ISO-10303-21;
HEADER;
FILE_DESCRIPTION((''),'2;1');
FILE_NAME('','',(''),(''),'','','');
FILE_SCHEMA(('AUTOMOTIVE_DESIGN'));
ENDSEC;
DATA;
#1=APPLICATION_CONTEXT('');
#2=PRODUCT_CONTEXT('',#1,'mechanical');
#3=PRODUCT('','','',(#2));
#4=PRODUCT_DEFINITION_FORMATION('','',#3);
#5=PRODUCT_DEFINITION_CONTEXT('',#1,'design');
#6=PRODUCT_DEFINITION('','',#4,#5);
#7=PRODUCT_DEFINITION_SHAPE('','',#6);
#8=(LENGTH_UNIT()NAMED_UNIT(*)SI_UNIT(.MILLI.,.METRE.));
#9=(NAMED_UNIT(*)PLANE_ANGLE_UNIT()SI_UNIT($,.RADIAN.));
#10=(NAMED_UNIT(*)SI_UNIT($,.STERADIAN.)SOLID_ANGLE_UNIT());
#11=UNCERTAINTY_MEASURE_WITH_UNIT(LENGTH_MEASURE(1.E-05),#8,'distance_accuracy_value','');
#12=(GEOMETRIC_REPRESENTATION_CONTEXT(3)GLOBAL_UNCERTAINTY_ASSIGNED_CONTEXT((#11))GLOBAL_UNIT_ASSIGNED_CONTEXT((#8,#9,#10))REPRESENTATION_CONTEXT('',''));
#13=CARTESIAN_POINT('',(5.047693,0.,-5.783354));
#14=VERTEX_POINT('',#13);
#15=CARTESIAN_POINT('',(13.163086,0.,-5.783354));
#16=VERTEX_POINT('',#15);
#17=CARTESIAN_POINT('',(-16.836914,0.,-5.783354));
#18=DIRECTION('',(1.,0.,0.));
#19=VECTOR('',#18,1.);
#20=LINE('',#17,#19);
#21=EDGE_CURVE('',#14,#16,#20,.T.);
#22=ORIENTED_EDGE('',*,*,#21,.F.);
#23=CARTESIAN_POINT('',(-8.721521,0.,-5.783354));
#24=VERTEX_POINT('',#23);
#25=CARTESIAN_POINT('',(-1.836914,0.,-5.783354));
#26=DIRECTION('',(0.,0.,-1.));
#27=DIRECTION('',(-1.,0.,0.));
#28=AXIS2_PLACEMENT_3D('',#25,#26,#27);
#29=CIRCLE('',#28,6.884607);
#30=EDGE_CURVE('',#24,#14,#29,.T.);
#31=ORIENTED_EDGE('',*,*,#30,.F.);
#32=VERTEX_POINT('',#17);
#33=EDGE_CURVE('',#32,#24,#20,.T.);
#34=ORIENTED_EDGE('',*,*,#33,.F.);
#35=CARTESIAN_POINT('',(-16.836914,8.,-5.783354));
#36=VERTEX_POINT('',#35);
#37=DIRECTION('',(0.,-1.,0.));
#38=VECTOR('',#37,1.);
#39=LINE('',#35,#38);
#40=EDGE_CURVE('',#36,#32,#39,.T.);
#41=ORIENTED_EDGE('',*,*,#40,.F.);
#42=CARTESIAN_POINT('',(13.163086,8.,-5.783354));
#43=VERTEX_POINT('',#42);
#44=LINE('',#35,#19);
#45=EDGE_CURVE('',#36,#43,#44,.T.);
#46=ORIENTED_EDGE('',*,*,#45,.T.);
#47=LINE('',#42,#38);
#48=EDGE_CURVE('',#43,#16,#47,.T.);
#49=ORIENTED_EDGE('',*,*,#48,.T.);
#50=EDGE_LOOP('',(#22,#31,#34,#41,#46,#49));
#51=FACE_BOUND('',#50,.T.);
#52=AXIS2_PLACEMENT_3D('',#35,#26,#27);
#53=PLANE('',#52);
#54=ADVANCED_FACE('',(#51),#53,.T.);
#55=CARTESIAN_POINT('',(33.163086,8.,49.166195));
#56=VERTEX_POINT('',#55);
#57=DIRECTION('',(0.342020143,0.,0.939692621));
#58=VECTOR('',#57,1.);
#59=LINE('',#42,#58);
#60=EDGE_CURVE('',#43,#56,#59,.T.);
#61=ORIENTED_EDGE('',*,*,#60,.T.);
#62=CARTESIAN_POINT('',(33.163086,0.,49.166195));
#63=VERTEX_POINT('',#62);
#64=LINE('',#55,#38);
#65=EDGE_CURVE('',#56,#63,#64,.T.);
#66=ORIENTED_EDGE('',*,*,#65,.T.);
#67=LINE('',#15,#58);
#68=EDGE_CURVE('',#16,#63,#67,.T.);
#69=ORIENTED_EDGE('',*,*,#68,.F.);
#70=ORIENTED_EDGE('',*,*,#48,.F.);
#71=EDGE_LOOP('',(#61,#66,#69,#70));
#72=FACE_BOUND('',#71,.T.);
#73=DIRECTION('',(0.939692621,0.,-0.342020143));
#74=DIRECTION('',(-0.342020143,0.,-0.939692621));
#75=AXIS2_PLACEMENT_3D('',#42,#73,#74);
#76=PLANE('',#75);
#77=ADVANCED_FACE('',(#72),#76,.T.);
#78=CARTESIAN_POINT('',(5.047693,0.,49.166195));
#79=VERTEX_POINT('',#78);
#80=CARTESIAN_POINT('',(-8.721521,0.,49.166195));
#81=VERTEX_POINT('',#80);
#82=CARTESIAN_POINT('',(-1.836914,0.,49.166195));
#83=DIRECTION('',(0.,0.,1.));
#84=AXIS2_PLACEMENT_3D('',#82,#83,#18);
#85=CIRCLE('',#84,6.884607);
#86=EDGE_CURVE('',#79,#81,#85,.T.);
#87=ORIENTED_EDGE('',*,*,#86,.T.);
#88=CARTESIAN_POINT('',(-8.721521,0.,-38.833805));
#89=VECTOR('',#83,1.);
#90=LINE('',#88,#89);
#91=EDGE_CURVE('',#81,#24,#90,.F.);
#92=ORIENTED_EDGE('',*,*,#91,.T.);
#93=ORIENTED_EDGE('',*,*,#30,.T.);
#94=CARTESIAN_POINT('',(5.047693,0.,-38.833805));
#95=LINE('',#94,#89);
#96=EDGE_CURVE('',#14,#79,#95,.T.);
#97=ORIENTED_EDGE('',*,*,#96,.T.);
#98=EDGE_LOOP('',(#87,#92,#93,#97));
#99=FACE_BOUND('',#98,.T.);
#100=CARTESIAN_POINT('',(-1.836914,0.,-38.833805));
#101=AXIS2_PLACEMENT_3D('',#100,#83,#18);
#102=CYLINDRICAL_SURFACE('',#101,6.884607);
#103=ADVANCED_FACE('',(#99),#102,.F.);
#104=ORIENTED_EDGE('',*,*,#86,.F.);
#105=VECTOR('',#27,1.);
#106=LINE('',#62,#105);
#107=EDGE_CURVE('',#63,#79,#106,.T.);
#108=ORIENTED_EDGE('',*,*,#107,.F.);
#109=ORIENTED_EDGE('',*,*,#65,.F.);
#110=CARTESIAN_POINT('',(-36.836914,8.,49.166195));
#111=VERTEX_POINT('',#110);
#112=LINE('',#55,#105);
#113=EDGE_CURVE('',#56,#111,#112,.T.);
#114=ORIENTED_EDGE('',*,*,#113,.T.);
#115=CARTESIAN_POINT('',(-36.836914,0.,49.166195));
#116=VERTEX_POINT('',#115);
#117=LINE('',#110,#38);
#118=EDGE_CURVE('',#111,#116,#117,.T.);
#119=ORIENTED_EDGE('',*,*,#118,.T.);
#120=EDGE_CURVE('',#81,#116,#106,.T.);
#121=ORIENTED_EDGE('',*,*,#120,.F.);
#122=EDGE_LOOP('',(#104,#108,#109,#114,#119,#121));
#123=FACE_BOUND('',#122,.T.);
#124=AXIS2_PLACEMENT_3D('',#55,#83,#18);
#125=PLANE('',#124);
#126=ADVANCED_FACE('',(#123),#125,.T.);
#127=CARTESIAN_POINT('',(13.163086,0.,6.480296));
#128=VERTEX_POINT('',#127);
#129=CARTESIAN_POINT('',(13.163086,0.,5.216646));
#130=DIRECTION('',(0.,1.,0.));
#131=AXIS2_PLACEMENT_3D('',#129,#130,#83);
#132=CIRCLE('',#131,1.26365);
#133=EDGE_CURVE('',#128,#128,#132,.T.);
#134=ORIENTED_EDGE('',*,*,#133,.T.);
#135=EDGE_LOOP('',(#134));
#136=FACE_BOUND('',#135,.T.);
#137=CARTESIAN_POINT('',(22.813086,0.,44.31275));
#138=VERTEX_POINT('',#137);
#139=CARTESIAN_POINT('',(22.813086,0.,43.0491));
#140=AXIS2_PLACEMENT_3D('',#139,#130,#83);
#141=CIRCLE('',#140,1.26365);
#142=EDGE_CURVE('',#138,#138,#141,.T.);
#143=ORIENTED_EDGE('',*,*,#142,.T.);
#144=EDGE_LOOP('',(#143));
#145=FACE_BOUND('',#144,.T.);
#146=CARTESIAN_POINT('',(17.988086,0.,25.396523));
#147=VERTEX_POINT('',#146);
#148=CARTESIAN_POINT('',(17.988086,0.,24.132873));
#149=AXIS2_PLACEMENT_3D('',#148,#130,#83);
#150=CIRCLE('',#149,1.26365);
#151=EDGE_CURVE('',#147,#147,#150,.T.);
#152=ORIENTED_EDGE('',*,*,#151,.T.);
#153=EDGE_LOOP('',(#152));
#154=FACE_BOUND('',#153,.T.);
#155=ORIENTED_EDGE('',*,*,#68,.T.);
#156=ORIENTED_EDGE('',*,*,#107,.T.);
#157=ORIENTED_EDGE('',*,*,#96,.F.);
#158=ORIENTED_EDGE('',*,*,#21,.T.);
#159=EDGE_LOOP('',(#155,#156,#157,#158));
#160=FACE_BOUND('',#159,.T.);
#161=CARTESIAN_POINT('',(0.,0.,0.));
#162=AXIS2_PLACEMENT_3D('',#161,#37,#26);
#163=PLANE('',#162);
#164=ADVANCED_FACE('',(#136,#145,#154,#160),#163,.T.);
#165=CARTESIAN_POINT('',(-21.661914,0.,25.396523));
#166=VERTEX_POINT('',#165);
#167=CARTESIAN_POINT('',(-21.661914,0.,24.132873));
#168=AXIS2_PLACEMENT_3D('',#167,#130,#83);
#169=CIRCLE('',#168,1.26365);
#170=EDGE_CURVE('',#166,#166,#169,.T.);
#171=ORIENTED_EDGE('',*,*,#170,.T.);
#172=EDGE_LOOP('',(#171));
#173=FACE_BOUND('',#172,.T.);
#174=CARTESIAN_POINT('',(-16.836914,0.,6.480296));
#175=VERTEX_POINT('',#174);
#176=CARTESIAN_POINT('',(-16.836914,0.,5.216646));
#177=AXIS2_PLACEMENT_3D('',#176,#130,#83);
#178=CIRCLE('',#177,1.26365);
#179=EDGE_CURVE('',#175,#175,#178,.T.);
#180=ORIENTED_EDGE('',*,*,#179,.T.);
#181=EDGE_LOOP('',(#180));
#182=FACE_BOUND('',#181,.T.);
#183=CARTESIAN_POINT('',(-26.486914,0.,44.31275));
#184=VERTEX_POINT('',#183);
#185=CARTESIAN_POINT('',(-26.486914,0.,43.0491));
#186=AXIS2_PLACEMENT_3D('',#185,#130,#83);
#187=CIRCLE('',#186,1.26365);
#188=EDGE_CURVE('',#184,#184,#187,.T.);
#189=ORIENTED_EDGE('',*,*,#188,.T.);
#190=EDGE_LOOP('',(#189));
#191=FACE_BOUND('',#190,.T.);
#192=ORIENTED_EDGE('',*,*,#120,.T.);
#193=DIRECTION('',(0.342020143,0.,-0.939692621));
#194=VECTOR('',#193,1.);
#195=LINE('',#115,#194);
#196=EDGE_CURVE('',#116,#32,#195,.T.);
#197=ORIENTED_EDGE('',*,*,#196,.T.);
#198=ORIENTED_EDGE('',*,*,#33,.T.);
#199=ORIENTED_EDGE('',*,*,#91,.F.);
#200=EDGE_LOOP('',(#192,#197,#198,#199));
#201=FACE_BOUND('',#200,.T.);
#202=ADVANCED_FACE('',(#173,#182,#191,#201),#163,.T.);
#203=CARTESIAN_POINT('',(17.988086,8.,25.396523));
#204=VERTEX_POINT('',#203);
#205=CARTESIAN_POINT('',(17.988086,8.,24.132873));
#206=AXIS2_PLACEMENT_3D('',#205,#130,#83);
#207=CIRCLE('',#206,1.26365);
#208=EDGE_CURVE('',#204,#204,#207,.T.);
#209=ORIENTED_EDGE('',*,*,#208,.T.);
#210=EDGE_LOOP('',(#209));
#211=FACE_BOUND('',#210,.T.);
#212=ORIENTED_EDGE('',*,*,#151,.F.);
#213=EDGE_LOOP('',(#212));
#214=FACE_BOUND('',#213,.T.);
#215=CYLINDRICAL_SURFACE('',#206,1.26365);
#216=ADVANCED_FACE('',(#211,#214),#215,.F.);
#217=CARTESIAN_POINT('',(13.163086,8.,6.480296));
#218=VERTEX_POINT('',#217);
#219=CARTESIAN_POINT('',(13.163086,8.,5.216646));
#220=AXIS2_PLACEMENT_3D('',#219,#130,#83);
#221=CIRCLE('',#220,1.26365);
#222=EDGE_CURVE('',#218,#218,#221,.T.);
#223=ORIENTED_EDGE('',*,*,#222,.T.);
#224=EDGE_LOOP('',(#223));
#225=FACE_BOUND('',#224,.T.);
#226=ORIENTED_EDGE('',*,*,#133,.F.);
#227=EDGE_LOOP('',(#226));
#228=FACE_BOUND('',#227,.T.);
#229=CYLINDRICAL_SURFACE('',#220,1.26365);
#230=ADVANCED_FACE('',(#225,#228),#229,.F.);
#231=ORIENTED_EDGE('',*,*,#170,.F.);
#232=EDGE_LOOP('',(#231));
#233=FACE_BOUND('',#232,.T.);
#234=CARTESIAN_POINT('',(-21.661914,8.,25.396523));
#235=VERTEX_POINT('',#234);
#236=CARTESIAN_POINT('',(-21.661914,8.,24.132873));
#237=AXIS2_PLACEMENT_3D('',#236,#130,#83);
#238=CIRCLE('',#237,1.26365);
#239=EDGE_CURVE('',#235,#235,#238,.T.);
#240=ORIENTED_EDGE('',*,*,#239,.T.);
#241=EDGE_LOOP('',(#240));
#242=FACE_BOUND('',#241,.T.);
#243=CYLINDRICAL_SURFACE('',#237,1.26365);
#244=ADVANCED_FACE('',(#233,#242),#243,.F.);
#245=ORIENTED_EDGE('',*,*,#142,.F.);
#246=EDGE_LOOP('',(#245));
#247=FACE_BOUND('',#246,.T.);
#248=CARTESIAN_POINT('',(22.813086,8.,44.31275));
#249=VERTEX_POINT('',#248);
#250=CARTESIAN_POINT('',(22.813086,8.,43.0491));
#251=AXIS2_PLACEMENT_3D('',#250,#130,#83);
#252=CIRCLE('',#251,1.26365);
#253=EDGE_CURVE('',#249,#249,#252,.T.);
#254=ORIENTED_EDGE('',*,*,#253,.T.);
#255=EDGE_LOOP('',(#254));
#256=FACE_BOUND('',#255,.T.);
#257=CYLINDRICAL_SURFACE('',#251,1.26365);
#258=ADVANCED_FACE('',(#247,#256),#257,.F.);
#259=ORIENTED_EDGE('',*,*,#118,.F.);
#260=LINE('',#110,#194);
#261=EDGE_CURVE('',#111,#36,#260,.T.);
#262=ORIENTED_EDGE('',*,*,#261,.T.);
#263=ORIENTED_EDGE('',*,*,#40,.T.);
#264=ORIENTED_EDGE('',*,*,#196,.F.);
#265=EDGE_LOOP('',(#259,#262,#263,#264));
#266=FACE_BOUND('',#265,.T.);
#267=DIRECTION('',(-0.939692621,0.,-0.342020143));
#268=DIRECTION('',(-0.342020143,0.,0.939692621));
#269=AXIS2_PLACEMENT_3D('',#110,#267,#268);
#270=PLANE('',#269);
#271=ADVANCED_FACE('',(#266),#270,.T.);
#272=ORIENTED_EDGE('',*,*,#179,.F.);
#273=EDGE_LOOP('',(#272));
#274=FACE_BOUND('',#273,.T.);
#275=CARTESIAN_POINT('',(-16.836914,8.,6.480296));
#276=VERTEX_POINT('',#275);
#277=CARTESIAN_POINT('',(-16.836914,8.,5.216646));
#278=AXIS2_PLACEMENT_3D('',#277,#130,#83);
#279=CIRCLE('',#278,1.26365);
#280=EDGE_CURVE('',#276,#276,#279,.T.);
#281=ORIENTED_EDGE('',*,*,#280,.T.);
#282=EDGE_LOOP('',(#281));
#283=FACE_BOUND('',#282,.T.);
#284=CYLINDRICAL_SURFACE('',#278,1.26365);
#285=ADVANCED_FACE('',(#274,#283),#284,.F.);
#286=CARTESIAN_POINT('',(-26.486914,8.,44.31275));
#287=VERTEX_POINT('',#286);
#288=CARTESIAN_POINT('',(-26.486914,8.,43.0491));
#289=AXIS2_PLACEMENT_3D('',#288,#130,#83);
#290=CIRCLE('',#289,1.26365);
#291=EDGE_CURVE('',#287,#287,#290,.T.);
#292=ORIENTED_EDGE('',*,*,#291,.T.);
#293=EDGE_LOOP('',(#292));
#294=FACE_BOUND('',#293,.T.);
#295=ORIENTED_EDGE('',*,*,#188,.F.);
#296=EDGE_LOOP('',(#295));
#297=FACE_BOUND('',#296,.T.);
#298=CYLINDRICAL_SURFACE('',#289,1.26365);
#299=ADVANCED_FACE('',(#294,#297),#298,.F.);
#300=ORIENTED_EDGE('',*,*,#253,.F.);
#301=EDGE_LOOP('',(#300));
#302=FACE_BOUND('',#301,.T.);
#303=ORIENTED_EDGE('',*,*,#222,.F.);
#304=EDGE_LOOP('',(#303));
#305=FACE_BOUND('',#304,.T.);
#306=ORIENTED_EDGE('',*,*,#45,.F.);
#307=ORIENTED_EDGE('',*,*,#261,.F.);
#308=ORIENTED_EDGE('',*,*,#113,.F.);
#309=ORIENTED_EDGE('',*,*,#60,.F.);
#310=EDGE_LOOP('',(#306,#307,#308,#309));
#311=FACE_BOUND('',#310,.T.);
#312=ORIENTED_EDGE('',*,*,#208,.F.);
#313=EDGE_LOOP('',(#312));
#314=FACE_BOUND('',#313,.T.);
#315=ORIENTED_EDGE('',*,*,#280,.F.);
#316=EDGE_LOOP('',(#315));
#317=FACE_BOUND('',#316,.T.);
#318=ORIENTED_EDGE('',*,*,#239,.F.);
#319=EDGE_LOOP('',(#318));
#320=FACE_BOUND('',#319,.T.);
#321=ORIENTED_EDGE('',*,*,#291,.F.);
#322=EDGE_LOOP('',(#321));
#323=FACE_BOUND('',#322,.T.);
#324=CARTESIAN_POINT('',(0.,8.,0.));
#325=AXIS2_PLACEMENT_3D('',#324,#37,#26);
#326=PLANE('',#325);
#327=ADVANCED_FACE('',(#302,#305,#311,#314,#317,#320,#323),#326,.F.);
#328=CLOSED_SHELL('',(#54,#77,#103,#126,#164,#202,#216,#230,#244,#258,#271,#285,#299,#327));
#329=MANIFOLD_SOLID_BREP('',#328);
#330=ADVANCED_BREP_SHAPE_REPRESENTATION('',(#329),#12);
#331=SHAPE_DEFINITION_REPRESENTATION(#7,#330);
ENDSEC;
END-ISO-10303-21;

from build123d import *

# Parameters (mm, degrees)
BOSS_EXTRUDE3_DEPTH                    = 8
SKETCH8_R                              = 6.884606738
CUT_EXTRUDE3_DEPTH                     = 88
F_39_0_0995_DIAMETER_HOLE1_D           = 2.5273
F_39_0_0995_DIAMETER_HOLE1_ON_FACE_2_D = 2.5273


with BuildPart() as part:
    # Sketch6 → Boss-Extrude3 (new body)
    with BuildSketch(Plane(origin=(0, 0, 0), x_dir=(1, 0, 0), z_dir=(0, 1, 0))):
        Polygon((-16.836914056, 5.783353512), (13.163085944, 5.783353512), (33.163085944, -49.166194877), (-36.836914056, -49.166194877), align=None)
    extrude(amount=BOSS_EXTRUDE3_DEPTH)

    # Sketch8 → Cut-Extrude3 (cut)
    with BuildSketch(Plane.XY.offset(49.166194877)):
        with Locations((-1.836914056, 0)):
            Circle(SKETCH8_R)
    extrude(amount=-CUT_EXTRUDE3_DEPTH, mode=Mode.SUBTRACT)

    # #39 (0.0995) Diameter Hole1 (through all)
    with Locations(Plane(origin=(17.988085944, 8, 24.13287332), x_dir=(0, 0, 1), z_dir=(0, 1, 0))):
        with Locations((0, 0), (18.916226832, 4.825), (18.916226832, -44.475), (-18.916226832, -34.825), (-18.916226832, -4.825), (0, -39.65)):
            Hole(F_39_0_0995_DIAMETER_HOLE1_D / 2)

    # #39 (0.0995) Diameter Hole1 on face 2 (through all)
    with Locations(Plane(origin=(-16.836914056, 0, 5.216646488), x_dir=(0, 0, -1), z_dir=(0, -1, 0))):
        with Locations((0, 0), (0, 30), (-37.832453664, 39.65), (-37.832453664, -9.65)):
            Hole(F_39_0_0995_DIAMETER_HOLE1_ON_FACE_2_D / 2)


solid = part.part
